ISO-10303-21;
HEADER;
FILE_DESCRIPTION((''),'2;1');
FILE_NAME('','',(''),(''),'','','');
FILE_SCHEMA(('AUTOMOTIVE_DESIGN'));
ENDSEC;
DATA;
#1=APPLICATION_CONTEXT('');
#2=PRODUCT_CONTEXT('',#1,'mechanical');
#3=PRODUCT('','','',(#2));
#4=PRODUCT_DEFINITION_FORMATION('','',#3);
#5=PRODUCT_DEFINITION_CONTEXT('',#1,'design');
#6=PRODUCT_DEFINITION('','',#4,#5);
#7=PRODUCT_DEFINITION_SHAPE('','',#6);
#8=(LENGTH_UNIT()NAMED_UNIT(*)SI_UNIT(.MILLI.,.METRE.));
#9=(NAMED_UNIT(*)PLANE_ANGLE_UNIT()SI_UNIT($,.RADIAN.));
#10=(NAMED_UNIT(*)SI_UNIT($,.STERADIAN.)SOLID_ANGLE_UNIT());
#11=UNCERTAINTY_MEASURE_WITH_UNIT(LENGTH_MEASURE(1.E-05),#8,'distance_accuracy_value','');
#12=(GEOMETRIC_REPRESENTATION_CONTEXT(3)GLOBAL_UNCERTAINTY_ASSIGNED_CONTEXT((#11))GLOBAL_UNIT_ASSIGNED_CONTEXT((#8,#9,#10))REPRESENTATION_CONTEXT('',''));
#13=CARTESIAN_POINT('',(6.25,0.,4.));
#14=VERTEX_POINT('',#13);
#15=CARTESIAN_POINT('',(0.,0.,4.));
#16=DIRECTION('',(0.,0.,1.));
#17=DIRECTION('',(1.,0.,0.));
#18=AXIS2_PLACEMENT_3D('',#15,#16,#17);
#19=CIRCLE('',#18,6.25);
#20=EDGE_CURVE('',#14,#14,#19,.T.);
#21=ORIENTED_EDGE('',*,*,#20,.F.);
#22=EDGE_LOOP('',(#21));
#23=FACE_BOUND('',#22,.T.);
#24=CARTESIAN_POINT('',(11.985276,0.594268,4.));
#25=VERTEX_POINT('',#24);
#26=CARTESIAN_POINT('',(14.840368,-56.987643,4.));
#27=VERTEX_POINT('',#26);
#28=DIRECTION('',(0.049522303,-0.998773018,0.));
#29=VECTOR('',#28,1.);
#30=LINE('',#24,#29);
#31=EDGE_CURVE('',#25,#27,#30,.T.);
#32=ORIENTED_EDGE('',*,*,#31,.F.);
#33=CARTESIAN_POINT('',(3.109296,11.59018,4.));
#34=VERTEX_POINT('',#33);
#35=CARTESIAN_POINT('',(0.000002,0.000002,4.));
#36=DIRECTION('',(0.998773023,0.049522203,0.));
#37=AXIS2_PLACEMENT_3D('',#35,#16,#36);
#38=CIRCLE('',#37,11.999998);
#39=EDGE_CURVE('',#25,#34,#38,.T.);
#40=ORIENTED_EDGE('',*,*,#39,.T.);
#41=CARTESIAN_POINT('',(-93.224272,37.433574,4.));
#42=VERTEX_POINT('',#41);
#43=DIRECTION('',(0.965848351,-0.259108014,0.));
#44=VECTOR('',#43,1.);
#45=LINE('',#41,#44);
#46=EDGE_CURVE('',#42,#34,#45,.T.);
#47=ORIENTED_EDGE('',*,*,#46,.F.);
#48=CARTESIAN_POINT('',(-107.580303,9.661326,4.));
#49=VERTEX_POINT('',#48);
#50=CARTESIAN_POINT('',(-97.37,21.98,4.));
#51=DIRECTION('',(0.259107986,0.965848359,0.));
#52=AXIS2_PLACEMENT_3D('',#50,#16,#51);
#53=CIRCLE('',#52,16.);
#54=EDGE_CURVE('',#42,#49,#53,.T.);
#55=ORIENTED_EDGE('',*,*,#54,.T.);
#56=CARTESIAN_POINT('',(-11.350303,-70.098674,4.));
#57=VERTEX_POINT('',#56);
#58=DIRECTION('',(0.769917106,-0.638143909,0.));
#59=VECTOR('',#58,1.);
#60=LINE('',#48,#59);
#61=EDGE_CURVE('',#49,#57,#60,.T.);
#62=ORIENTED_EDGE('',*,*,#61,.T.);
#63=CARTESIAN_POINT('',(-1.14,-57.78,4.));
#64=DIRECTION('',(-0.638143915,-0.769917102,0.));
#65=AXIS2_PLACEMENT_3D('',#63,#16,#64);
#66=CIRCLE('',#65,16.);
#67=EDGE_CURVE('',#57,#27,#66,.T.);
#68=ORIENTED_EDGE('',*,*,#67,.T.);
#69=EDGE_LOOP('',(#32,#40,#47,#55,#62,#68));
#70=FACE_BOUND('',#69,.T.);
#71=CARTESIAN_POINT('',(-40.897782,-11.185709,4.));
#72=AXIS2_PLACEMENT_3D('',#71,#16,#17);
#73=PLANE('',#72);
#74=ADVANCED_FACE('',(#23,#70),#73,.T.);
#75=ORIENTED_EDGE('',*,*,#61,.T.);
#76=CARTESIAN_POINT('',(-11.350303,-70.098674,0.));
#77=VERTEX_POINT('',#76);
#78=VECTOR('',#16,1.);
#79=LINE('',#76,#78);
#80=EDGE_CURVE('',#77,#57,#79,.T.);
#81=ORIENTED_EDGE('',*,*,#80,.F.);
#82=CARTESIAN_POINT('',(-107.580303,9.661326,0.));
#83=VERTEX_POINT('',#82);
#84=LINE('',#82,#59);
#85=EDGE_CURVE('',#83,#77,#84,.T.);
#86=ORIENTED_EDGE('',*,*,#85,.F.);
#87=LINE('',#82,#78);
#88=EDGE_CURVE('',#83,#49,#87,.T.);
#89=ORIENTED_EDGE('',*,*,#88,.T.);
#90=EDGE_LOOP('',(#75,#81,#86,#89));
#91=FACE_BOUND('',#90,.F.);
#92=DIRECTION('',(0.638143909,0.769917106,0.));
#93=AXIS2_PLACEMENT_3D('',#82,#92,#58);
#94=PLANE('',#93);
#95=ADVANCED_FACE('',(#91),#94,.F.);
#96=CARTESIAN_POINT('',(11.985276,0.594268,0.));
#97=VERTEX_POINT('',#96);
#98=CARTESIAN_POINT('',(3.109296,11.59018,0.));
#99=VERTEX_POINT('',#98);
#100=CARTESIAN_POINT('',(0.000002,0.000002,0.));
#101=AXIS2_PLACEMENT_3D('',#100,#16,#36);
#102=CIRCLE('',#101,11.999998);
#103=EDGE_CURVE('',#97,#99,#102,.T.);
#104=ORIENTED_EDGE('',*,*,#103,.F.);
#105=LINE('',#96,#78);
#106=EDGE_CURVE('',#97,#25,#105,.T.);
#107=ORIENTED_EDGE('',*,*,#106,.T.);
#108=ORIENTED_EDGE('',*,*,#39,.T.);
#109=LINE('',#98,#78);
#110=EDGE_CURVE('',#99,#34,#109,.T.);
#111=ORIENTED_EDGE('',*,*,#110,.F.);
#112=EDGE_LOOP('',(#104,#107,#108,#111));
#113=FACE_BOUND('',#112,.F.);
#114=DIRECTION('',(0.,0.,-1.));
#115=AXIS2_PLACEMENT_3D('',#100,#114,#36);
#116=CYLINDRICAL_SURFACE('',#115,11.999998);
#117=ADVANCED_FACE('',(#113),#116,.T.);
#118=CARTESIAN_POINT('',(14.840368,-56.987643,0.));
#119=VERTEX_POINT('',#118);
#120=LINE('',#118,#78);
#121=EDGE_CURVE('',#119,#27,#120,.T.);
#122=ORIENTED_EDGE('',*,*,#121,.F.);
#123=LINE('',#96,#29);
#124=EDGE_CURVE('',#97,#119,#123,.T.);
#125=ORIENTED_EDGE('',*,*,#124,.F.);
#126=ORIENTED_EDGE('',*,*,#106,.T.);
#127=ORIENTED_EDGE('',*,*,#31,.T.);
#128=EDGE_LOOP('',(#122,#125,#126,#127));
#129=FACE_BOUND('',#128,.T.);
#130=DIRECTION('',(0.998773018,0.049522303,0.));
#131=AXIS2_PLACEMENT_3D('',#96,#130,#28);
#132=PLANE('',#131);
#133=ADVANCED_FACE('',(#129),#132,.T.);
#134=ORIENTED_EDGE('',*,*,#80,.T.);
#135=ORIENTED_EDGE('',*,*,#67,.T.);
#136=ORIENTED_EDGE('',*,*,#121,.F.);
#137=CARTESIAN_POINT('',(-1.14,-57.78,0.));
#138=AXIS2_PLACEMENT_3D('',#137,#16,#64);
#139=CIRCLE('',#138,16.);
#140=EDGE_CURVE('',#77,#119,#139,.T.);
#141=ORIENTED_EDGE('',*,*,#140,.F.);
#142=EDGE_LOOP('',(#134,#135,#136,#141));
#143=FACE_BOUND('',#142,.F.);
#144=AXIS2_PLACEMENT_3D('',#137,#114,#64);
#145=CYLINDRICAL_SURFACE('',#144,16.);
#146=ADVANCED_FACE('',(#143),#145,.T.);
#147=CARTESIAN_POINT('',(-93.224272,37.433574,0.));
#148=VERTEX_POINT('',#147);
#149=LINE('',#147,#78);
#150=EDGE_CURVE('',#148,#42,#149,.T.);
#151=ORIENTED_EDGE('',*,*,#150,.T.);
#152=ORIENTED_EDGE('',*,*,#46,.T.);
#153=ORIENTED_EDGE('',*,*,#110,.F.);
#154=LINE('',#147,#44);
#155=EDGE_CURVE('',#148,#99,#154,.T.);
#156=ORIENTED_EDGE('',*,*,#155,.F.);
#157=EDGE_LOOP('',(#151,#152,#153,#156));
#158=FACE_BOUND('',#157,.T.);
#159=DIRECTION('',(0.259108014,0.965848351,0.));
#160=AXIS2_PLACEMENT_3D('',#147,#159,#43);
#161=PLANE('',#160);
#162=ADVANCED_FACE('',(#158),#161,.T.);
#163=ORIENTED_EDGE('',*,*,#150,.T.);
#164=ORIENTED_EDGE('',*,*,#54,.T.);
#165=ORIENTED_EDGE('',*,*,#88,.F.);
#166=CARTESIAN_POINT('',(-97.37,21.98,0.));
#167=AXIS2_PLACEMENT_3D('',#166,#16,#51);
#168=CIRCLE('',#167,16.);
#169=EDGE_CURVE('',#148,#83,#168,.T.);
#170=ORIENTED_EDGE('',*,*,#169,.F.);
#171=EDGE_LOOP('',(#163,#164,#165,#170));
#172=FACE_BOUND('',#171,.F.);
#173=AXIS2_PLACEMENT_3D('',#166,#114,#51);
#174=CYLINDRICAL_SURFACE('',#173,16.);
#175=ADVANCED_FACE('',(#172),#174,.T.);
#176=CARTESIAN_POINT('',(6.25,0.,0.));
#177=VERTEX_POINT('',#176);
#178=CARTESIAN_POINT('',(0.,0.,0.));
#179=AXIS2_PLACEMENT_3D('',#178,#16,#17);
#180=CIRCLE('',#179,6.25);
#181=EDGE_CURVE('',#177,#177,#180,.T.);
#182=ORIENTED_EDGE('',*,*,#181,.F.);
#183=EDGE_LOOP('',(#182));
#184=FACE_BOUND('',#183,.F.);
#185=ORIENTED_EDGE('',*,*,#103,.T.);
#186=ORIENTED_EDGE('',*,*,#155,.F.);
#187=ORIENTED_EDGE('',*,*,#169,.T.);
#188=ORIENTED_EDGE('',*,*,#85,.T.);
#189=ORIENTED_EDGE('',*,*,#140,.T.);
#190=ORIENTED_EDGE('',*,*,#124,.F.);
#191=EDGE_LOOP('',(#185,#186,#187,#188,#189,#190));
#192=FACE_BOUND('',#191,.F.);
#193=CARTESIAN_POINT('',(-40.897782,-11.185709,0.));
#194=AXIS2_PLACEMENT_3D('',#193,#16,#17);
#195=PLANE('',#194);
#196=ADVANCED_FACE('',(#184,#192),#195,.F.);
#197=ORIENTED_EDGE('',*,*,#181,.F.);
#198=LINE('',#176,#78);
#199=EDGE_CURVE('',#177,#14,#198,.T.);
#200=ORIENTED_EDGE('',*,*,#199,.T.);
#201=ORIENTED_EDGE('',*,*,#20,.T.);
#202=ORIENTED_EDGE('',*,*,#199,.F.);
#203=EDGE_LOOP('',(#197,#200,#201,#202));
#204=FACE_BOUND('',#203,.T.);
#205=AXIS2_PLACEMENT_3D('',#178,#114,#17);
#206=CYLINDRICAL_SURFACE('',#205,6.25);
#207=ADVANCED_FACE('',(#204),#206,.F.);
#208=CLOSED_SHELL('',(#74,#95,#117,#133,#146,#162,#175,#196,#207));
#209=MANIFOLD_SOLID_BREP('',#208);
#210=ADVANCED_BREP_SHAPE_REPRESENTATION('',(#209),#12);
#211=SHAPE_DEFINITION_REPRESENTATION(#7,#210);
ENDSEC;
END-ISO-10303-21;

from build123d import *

# Parameters (mm, degrees)
SKETCH_R  = 6.25
PAD_DEPTH = 4


with BuildPart() as part:
    # Sketch → Pad (new body)
    with BuildSketch(Plane.XY):
        with BuildLine():
            ThreePointArc((-93.224272, 37.433574), (-111.583346, 29.327163), (-107.580303, 9.661326))
            Line((-107.580303, 9.661326), (-11.350303, -70.098674))
            ThreePointArc((-11.350303, -70.098674), (6.022276, -72.087404), (14.840368, -56.987643))
            Line((11.985276, 0.594268), (14.840368, -56.987643))
            ThreePointArc((11.985276, 0.594268), (9.337508, 7.537304), (3.109296, 11.59018))
            Line((-93.224272, 37.433574), (3.109296, 11.59018))
        make_face()
        Circle(SKETCH_R, mode=Mode.SUBTRACT)
    extrude(amount=PAD_DEPTH)


solid = part.part
